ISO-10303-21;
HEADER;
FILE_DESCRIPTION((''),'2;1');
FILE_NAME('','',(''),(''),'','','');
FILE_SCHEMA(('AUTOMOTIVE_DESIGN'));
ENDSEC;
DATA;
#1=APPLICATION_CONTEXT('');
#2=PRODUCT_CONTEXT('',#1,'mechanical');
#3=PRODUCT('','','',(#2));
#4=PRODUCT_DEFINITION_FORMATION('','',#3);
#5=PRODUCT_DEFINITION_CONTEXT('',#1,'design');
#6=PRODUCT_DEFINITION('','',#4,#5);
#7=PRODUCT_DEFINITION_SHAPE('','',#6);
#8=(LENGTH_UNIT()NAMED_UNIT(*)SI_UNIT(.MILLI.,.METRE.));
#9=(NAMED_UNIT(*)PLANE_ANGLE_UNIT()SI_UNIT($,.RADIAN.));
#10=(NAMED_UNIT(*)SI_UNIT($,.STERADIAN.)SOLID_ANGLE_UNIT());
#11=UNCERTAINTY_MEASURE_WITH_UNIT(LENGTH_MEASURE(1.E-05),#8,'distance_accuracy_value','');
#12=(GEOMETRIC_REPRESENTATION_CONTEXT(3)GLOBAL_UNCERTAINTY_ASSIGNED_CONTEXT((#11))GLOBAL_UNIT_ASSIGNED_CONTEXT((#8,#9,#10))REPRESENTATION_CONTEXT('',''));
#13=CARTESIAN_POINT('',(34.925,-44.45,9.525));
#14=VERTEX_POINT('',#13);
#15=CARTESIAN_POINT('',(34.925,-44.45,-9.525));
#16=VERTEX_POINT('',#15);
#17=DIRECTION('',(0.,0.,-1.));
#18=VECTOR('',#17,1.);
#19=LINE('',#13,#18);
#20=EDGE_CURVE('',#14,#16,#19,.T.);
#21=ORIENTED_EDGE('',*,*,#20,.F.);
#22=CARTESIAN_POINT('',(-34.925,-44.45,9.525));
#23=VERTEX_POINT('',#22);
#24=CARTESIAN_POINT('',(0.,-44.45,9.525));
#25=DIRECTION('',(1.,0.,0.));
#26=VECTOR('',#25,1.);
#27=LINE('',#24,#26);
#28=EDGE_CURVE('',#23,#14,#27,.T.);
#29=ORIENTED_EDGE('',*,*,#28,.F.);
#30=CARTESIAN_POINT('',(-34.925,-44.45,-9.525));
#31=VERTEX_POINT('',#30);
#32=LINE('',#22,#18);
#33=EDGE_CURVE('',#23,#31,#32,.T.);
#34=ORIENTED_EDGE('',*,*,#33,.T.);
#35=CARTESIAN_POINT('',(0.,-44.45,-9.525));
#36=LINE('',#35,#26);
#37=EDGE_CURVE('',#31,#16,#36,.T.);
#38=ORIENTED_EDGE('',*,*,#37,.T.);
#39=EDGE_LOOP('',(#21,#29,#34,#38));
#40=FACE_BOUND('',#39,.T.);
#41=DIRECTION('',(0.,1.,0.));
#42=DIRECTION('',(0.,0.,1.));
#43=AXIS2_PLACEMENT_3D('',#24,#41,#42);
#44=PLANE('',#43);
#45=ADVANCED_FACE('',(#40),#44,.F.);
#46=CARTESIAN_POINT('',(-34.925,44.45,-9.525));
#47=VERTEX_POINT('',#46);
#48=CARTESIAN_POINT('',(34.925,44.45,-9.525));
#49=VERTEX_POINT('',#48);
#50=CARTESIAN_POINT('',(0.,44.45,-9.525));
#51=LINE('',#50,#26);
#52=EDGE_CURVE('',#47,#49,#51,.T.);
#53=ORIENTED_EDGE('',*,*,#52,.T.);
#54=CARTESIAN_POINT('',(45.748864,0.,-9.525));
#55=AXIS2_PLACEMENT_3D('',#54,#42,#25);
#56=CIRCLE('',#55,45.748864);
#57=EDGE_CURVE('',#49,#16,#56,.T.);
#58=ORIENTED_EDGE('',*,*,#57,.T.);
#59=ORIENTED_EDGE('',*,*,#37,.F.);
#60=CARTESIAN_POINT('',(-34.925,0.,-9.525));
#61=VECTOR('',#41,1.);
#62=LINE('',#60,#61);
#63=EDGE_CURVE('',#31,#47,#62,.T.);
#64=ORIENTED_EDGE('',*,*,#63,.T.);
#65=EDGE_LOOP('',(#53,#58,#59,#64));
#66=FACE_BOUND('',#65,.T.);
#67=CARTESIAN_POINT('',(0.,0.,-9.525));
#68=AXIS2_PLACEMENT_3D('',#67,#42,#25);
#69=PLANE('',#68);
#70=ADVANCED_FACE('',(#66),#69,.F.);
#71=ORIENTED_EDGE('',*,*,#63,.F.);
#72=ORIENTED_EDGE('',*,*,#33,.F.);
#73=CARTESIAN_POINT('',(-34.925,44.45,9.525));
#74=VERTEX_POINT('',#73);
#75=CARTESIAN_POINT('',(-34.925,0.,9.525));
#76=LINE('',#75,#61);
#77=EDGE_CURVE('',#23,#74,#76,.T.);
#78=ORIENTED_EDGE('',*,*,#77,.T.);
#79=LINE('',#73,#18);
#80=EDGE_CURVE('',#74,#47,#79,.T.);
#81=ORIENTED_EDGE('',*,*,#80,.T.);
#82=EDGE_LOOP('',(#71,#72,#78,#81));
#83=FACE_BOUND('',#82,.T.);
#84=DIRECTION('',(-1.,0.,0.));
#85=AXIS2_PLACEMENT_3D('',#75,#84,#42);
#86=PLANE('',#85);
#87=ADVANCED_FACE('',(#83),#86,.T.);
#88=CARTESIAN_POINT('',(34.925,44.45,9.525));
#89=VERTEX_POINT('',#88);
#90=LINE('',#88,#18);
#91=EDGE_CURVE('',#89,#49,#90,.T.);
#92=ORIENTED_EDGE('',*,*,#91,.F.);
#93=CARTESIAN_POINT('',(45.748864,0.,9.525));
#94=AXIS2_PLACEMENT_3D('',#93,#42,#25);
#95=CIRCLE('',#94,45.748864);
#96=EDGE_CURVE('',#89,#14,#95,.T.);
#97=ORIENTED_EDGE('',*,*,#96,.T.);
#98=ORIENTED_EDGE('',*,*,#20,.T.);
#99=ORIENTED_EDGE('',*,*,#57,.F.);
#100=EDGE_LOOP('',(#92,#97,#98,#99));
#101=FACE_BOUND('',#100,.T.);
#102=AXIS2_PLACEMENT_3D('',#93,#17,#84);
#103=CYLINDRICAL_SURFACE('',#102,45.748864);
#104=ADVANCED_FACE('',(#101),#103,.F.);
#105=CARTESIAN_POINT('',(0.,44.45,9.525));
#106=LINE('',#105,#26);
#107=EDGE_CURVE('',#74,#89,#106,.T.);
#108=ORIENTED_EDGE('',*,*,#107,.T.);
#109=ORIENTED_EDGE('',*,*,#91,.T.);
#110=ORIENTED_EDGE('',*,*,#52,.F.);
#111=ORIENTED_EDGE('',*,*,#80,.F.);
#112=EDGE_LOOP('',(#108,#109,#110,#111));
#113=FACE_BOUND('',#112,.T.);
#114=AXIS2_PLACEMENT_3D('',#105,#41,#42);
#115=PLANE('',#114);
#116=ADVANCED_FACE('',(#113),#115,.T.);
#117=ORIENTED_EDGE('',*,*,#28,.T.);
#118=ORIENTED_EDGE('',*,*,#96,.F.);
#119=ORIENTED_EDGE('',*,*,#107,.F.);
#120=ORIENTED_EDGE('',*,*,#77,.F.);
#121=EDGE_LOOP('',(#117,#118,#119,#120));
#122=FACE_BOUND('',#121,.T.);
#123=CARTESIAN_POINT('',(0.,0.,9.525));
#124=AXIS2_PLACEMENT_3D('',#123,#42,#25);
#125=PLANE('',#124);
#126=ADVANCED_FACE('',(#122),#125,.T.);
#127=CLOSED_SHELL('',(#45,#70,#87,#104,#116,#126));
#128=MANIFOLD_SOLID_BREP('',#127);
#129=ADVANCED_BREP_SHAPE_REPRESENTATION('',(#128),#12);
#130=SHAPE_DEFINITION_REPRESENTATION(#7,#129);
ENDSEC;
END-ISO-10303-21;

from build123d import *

# Parameters (mm, degrees)
BOSS_EXTRUDE1_DEPTH = 9.525


with BuildPart() as part:
    # Sketch1 → Boss-Extrude1 (new body, symmetric)
    with BuildSketch(Plane.XY):
        with BuildLine():
            ThreePointArc((34.925, 44.45), (0, 0), (34.925, -44.45))
            Line((34.925, -44.45), (-34.925, -44.45))
            Line((-34.925, -44.45), (-34.925, 44.45))
            Line((-34.925, 44.45), (34.925, 44.45))
        make_face()
    extrude(amount=BOSS_EXTRUDE1_DEPTH, both=True)


solid = part.part
